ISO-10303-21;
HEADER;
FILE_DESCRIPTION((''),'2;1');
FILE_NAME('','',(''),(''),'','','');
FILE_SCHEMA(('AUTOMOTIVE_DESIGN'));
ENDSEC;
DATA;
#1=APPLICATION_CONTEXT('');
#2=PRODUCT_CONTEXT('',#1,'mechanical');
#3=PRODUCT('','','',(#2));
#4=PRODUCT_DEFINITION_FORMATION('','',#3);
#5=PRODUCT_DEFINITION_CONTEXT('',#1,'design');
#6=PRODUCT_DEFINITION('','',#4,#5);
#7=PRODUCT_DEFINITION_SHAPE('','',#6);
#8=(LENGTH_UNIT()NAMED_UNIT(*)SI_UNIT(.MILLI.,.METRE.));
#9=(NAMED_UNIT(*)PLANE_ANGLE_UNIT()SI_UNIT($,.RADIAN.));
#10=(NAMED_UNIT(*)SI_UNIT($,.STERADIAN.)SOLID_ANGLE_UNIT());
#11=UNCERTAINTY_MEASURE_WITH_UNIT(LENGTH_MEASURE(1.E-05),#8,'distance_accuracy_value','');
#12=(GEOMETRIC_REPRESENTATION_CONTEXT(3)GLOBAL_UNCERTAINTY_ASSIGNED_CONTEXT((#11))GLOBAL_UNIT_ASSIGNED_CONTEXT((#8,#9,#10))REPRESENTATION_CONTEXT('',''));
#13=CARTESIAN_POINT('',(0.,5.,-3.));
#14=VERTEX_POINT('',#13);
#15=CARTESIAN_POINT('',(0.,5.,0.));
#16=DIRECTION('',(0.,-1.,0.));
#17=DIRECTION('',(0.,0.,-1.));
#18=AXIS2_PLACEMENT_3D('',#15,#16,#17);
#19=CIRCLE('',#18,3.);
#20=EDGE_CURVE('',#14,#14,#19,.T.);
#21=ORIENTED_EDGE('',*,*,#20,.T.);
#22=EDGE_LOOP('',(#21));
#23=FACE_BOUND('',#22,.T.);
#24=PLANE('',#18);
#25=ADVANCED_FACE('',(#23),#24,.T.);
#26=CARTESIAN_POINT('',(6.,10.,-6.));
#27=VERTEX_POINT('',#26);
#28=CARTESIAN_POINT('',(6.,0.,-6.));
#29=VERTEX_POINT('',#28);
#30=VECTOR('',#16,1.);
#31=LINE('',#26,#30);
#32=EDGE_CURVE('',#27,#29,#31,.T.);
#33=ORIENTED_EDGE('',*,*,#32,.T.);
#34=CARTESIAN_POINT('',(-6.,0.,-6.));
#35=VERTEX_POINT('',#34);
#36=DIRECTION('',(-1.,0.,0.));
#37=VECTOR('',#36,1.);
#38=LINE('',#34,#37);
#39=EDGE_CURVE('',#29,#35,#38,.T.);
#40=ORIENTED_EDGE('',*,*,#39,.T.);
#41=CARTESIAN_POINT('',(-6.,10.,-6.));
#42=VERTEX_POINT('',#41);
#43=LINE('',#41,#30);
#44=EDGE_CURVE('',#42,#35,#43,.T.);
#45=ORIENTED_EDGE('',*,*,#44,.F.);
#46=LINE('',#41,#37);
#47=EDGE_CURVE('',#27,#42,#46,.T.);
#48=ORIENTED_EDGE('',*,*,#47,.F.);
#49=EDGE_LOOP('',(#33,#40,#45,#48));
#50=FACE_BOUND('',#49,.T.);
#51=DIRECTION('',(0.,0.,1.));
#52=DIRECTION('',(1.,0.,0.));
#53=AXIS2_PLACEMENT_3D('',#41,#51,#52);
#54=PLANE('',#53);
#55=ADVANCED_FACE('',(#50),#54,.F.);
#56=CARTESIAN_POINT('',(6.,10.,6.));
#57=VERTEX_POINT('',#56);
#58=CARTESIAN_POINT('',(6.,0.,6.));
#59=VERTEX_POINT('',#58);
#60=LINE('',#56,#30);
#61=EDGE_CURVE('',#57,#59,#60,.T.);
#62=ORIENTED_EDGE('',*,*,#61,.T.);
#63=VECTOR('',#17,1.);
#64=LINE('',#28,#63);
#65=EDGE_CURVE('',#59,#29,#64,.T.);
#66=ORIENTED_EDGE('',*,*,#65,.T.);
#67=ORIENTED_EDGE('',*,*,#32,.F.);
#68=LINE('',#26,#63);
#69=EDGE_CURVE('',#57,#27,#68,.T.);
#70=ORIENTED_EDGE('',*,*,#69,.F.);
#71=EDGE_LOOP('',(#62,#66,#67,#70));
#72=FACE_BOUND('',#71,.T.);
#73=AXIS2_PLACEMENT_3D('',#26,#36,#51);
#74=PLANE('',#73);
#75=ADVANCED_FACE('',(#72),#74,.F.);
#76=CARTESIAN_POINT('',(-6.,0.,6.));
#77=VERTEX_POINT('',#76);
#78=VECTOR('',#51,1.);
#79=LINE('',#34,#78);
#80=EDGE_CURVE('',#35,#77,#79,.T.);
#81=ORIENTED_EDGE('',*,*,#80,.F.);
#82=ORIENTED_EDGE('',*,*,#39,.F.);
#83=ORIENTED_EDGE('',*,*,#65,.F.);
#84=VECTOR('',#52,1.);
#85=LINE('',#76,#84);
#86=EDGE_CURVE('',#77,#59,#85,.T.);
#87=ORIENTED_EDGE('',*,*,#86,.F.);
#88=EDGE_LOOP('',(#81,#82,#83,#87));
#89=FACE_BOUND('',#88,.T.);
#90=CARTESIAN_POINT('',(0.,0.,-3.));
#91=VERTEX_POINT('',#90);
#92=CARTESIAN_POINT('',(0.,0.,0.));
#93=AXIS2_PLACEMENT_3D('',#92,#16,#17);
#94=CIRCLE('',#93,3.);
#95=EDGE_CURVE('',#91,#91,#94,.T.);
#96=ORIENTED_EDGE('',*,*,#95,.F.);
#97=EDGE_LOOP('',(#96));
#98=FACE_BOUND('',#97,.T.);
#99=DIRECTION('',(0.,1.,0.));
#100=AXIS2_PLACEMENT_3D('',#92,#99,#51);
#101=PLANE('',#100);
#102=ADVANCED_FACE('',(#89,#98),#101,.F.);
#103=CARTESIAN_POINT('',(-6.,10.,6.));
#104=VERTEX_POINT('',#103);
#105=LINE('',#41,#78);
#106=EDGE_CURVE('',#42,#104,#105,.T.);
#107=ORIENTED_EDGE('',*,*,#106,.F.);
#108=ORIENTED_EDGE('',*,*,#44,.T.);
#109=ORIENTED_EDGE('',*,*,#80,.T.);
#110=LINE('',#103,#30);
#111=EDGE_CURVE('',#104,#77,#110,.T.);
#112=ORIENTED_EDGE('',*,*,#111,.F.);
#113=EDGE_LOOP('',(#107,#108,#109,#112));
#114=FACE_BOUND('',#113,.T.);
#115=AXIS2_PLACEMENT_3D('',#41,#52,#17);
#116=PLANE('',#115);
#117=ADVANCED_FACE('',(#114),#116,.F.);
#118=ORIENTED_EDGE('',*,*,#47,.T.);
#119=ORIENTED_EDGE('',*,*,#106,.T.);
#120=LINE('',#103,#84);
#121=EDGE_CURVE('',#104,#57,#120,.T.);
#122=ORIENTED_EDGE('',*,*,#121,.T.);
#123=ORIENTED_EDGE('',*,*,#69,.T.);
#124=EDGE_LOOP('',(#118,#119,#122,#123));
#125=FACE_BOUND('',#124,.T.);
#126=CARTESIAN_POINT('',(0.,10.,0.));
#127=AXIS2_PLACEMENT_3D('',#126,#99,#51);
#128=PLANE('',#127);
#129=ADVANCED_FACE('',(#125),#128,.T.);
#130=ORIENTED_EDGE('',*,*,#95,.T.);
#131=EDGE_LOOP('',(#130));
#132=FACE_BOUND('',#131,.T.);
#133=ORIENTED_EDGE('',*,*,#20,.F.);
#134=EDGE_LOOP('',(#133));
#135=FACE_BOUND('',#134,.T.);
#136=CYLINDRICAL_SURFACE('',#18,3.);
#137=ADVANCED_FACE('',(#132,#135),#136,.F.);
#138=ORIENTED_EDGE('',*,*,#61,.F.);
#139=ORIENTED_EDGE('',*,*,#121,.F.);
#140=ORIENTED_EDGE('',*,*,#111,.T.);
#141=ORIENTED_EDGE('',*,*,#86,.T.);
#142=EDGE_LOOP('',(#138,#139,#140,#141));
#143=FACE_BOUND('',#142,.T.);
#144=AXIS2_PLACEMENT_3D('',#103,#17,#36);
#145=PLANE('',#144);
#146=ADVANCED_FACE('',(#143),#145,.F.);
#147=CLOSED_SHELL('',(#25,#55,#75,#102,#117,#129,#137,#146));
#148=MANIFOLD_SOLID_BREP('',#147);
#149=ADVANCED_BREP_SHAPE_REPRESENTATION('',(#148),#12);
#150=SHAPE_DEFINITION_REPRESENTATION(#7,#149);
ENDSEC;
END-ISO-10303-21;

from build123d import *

# Parameters (mm, degrees)
SKETCH1_W           = 12
SKETCH1_H           = 12
BOSS_EXTRUDE1_DEPTH = 10
SKETCH2_R           = 3
CUT_EXTRUDE1_DEPTH  = 5


with BuildPart() as part:
    # Sketch1 → Boss-Extrude1 (new body)
    with BuildSketch(Plane(origin=(0, 0, 0), x_dir=(1, 0, 0), z_dir=(0, 1, 0))):
        Rectangle(SKETCH1_W, SKETCH1_H)
    extrude(amount=BOSS_EXTRUDE1_DEPTH)

    # Sketch2 → Cut-Extrude1 (cut)
    with BuildSketch(Plane.XZ):
        with Locations(Location((0, 0, 0), (0, 0, 270))):
            Circle(SKETCH2_R)
    extrude(amount=-CUT_EXTRUDE1_DEPTH, mode=Mode.SUBTRACT)


solid = part.part
